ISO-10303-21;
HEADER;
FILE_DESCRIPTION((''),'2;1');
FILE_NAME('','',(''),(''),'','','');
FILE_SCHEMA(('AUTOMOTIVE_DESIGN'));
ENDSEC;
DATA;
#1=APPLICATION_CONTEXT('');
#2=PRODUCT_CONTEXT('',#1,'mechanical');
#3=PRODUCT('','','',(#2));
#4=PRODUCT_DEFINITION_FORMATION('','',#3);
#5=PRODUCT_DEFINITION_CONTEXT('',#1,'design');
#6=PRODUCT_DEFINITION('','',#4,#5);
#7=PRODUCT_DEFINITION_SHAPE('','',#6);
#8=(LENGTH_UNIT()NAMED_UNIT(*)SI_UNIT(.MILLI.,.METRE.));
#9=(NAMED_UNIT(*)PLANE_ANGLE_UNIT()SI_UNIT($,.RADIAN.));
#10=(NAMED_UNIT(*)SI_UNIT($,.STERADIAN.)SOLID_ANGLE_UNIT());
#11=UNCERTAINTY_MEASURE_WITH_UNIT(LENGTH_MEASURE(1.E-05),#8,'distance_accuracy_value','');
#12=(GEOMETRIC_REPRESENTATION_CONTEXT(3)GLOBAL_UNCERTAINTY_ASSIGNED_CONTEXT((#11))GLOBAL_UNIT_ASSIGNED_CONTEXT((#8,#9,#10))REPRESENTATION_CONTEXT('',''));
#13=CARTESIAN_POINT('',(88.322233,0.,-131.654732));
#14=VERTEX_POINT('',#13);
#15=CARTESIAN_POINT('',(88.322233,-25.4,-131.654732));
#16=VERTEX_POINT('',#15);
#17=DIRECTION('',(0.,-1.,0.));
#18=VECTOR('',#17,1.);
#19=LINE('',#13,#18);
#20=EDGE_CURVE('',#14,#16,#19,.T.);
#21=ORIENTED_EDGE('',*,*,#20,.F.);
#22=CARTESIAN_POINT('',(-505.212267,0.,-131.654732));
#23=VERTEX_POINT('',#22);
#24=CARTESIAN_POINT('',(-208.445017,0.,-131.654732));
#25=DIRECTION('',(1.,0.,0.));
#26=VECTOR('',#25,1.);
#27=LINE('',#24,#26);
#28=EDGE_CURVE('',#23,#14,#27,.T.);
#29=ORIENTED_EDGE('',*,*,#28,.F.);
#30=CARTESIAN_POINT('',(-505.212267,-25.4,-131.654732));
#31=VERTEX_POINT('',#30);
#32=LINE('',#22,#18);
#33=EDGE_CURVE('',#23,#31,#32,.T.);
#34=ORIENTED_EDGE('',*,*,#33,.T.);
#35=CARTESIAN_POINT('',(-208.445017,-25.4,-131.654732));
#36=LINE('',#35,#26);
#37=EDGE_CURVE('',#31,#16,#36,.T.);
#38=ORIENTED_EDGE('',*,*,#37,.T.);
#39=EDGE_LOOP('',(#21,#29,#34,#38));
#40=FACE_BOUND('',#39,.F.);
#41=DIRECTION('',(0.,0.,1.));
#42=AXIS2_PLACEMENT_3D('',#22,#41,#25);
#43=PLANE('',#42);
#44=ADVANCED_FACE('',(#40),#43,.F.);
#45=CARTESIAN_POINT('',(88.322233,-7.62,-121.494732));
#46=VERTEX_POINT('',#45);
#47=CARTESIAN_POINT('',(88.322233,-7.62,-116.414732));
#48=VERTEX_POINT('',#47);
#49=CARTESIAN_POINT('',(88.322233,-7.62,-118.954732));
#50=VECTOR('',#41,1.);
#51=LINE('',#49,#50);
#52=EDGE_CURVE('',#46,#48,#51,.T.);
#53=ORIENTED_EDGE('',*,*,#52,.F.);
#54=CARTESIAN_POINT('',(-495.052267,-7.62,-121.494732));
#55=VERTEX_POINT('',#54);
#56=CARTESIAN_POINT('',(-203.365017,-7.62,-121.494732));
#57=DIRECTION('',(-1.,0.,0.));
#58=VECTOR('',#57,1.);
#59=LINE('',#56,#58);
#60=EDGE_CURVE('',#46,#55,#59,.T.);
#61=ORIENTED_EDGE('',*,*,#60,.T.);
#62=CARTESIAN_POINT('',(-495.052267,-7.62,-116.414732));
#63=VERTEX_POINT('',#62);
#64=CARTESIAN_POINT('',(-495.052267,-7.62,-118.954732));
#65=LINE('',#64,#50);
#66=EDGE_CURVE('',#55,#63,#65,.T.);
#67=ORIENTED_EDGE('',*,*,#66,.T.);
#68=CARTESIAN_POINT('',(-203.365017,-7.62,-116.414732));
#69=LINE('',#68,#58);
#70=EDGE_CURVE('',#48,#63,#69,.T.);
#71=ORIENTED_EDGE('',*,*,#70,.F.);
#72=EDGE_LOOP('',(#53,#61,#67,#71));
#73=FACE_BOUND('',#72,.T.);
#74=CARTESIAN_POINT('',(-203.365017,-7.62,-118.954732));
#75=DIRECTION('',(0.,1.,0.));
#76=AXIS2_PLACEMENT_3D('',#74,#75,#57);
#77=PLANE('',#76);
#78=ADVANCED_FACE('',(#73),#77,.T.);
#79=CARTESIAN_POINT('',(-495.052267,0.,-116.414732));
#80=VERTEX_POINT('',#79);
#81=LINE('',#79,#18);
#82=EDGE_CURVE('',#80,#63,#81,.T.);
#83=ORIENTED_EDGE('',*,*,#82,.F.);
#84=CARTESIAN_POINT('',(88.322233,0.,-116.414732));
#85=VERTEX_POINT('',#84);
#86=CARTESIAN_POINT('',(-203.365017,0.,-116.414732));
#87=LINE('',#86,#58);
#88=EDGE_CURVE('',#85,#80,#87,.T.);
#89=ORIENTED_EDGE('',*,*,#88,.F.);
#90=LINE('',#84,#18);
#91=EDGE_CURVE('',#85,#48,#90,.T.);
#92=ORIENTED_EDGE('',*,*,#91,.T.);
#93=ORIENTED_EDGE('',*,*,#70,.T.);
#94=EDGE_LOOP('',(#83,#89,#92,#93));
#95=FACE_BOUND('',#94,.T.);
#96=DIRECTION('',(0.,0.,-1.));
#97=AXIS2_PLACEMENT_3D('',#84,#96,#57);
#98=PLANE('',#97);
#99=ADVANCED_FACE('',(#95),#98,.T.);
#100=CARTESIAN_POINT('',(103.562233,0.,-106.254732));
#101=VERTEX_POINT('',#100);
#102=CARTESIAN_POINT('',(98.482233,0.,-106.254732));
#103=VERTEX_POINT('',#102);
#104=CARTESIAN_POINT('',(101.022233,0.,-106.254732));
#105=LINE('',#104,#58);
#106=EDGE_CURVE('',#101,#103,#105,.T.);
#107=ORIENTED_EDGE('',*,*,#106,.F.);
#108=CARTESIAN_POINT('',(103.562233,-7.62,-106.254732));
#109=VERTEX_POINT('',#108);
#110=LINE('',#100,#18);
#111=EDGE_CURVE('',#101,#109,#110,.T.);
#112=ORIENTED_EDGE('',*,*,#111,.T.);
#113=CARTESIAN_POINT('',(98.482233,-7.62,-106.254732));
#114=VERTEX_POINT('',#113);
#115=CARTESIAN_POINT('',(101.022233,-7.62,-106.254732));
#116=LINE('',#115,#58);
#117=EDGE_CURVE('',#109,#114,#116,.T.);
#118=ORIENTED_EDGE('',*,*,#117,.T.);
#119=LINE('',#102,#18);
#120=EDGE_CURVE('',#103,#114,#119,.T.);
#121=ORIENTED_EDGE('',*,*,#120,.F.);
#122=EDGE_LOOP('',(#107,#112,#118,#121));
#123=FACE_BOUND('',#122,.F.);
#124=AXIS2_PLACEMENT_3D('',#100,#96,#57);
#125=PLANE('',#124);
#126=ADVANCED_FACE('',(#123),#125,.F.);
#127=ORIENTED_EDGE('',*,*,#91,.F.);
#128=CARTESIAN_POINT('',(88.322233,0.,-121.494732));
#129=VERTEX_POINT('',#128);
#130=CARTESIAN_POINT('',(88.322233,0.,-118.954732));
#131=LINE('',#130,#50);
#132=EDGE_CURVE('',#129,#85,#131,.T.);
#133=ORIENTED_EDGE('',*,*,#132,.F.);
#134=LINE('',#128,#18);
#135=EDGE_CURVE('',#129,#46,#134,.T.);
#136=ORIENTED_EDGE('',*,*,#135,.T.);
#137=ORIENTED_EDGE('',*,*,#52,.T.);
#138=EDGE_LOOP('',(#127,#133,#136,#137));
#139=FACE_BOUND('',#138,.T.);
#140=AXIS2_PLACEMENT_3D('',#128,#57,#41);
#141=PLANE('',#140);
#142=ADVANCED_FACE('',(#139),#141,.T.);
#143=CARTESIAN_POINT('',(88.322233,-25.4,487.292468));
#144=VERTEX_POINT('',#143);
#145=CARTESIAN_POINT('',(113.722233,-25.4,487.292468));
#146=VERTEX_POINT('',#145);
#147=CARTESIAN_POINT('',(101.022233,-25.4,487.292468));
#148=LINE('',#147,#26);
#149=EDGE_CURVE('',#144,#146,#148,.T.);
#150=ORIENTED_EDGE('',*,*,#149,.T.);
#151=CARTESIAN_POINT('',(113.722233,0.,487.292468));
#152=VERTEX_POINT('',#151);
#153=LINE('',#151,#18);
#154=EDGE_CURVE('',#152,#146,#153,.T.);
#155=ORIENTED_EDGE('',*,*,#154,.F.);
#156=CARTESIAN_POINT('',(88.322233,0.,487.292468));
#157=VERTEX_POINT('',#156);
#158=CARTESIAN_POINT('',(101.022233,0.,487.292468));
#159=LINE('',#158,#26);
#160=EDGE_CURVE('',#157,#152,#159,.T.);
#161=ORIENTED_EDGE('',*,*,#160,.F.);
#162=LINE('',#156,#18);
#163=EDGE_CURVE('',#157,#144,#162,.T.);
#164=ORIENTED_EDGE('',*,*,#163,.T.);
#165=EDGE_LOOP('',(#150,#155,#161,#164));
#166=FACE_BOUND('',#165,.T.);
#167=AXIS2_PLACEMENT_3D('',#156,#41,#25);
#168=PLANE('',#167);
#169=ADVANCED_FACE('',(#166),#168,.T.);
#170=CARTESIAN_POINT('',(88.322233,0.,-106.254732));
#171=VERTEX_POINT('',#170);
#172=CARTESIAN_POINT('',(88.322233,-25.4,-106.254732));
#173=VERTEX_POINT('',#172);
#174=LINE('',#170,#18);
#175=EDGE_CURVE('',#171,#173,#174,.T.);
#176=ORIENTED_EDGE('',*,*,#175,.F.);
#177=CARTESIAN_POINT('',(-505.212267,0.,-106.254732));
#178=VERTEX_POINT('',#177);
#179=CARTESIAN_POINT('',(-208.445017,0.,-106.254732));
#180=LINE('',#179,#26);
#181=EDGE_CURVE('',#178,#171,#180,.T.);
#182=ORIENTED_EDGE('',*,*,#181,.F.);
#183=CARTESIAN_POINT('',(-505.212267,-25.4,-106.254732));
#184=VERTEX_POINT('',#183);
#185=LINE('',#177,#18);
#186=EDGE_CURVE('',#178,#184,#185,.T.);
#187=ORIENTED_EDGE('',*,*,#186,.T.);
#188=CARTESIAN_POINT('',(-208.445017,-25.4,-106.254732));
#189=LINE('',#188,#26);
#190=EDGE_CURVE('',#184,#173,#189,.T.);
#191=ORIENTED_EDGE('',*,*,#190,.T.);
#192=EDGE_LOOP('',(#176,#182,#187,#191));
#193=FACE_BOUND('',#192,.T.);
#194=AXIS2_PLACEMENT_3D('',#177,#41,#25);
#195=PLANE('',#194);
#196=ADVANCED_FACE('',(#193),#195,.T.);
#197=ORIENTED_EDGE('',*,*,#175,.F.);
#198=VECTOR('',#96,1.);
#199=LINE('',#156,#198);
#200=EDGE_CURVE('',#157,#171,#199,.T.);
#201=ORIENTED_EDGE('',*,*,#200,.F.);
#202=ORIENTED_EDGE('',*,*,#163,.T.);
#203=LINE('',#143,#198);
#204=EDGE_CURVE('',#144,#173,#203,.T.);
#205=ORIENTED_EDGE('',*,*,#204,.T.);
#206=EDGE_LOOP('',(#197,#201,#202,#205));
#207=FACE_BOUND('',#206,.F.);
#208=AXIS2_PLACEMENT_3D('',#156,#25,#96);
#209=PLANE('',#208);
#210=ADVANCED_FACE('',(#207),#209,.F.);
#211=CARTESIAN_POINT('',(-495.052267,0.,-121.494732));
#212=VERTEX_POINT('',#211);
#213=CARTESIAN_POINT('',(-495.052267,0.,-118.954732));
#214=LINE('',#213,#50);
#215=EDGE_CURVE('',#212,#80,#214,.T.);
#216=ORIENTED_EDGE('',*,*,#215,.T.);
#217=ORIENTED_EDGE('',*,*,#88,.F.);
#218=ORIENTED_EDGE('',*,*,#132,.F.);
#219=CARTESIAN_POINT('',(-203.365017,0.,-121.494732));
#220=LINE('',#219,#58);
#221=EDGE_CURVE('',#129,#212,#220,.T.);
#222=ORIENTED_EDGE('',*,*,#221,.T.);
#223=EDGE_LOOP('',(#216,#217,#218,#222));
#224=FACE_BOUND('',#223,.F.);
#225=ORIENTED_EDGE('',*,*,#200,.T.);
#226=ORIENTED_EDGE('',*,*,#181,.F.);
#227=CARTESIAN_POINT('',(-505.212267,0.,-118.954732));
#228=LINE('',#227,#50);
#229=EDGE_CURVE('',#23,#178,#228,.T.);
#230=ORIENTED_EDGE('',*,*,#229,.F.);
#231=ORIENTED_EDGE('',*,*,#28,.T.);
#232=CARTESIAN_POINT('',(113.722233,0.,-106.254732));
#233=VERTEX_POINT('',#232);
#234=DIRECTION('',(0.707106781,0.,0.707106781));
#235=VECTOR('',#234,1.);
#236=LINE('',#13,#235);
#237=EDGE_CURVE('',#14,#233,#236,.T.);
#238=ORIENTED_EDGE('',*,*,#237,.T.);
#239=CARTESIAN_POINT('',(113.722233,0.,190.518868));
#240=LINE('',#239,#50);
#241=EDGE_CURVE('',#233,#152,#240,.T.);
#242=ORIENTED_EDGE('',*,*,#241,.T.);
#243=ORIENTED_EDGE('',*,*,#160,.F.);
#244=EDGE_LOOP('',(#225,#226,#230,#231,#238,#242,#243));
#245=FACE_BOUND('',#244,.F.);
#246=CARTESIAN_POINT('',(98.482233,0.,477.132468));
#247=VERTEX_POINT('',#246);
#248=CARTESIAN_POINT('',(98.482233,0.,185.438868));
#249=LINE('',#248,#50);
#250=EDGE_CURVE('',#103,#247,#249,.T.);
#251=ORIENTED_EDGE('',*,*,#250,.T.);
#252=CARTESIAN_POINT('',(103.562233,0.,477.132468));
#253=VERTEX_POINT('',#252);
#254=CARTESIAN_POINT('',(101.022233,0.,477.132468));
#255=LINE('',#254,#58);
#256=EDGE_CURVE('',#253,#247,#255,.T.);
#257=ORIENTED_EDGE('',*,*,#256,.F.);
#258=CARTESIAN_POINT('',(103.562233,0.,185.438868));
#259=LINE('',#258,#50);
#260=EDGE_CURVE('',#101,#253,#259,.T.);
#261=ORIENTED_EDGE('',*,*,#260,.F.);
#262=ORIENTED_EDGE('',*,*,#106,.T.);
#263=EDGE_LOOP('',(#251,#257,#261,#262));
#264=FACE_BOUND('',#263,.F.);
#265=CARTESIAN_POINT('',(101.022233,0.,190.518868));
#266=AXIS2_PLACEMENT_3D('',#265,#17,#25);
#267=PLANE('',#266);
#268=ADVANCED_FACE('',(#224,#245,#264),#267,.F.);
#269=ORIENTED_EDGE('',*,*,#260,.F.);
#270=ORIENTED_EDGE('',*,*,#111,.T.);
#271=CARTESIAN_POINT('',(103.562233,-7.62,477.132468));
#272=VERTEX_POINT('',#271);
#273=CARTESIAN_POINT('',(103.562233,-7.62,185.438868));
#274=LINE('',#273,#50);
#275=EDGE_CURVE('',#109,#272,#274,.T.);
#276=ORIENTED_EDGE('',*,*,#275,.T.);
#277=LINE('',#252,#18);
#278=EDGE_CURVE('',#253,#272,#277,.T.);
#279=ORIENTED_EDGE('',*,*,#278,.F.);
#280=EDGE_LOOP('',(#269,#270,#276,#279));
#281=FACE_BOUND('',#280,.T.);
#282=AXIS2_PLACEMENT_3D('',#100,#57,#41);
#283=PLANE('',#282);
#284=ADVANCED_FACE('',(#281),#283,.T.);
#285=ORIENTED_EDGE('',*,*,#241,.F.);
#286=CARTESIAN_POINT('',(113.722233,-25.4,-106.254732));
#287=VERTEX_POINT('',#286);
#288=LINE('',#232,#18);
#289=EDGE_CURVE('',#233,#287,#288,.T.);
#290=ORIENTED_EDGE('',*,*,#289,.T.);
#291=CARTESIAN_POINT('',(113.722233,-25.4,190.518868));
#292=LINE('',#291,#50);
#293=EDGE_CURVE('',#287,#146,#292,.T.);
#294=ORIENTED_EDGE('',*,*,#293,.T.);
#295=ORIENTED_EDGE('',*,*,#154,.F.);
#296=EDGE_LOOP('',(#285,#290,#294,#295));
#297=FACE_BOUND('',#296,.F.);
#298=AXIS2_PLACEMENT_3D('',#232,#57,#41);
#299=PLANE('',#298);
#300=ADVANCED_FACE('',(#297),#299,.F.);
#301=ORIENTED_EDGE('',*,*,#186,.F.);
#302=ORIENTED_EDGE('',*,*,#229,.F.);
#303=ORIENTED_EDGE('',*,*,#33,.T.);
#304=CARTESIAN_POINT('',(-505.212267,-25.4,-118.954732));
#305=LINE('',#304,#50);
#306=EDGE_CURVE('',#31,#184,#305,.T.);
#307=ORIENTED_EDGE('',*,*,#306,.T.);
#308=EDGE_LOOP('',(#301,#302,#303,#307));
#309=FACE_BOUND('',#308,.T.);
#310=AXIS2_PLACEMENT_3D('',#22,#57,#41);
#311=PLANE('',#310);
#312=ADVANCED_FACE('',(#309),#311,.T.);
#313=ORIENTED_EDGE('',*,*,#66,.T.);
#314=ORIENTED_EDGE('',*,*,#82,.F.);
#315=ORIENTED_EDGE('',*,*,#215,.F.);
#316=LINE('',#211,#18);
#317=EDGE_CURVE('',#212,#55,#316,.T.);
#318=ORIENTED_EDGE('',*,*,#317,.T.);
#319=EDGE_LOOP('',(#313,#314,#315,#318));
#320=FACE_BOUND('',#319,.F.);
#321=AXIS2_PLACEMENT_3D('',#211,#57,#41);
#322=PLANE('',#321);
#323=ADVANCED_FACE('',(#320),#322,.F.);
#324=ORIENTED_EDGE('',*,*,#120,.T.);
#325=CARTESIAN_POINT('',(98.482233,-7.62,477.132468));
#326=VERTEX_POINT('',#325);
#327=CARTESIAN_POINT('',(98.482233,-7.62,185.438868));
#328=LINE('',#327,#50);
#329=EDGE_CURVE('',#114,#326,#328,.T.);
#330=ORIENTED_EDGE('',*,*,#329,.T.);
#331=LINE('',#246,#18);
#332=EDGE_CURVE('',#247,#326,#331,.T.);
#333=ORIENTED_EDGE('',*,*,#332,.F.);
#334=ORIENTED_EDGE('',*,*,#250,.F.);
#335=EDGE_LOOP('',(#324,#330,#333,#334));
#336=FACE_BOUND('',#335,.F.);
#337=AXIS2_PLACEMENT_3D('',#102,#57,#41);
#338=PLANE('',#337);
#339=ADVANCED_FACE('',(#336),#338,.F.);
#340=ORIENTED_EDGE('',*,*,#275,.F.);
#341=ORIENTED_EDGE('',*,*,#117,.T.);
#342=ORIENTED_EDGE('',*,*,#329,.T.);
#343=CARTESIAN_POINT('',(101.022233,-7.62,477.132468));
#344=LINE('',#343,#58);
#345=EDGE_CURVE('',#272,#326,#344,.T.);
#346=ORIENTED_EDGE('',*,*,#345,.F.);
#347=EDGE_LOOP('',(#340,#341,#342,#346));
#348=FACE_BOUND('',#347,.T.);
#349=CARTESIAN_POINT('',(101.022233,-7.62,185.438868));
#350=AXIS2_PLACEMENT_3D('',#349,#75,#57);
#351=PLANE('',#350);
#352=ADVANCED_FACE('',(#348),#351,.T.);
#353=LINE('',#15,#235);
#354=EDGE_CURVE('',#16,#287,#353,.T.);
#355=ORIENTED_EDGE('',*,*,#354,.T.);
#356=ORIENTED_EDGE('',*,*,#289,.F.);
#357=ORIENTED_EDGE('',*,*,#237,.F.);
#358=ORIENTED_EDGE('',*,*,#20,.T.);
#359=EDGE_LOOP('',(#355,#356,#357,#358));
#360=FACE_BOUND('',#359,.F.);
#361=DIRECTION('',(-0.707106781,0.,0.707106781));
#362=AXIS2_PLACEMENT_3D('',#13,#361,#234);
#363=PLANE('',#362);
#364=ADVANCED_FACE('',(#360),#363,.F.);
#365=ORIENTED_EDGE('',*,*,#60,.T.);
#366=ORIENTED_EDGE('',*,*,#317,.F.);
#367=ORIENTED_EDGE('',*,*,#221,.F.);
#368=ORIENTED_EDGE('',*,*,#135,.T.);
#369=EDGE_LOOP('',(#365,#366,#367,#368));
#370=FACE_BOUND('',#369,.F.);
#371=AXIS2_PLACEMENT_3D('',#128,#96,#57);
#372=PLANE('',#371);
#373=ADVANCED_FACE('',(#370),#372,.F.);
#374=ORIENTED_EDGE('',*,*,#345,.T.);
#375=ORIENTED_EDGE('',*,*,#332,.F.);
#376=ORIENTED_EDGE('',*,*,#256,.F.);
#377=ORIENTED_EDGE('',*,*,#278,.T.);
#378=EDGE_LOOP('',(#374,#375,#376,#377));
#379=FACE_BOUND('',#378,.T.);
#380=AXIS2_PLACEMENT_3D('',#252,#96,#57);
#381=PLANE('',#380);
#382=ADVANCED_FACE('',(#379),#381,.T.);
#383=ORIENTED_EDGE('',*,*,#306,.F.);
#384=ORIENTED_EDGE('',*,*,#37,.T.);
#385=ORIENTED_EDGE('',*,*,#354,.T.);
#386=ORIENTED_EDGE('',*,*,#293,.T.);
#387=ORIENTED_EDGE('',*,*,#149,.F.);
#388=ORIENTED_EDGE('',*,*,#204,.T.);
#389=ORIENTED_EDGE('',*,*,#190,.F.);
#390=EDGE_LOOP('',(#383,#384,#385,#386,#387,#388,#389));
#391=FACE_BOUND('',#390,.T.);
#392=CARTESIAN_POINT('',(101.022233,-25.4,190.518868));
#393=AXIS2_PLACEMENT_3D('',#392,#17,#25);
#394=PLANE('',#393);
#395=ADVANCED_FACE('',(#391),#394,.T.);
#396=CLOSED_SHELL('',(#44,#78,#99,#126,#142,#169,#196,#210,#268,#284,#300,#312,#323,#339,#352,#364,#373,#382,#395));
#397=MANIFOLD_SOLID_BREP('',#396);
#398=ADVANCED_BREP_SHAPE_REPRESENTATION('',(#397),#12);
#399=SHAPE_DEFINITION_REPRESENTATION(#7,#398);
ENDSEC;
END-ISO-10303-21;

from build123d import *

# Parameters (mm, degrees)
F0_W     = 25.4
F0_H     = 593.5472
F0_W_2   = 593.5345
F0_H_2   = 25.4
F1_DEPTH = 25.4
F2_W     = 5.08
F2_H     = 583.3872
F3_DEPTH = 7.62
F4_W     = 583.3745
F4_H     = 5.08
F5_DEPTH = 7.62


with BuildPart() as f1:
    # F0 (on Front) → F1 (new body)
    with BuildSketch(Plane.XZ):
        with Locations((101.022233, 190.518868)):
            Rectangle(F0_W, F0_H)
        Polygon((88.322233, -106.254732), (88.322233, -131.654732), (113.722233, -106.254732), align=None)
        with Locations((-208.445017, -118.954732)):
            Rectangle(F0_W_2, F0_H_2)
    extrude(amount=F1_DEPTH)

    # F2 (on face) → F3 (cut)
    with BuildSketch(Plane(origin=(0, 0, 0), x_dir=(-1, 0, 0), z_dir=(0, 1, 0))):
        with Locations((-101.022233, 185.438868)):
            Rectangle(F2_W, F2_H)
    extrude(amount=-F3_DEPTH, mode=Mode.SUBTRACT)

    # F4 (on face) → F5 (cut)
    with BuildSketch(Plane(origin=(0, 0, 0), x_dir=(-1, 0, 0), z_dir=(0, 1, 0))):
        with Locations((203.365017, -118.954732)):
            Rectangle(F4_W, F4_H)
    extrude(amount=-F5_DEPTH, mode=Mode.SUBTRACT)


solid = f1.part
